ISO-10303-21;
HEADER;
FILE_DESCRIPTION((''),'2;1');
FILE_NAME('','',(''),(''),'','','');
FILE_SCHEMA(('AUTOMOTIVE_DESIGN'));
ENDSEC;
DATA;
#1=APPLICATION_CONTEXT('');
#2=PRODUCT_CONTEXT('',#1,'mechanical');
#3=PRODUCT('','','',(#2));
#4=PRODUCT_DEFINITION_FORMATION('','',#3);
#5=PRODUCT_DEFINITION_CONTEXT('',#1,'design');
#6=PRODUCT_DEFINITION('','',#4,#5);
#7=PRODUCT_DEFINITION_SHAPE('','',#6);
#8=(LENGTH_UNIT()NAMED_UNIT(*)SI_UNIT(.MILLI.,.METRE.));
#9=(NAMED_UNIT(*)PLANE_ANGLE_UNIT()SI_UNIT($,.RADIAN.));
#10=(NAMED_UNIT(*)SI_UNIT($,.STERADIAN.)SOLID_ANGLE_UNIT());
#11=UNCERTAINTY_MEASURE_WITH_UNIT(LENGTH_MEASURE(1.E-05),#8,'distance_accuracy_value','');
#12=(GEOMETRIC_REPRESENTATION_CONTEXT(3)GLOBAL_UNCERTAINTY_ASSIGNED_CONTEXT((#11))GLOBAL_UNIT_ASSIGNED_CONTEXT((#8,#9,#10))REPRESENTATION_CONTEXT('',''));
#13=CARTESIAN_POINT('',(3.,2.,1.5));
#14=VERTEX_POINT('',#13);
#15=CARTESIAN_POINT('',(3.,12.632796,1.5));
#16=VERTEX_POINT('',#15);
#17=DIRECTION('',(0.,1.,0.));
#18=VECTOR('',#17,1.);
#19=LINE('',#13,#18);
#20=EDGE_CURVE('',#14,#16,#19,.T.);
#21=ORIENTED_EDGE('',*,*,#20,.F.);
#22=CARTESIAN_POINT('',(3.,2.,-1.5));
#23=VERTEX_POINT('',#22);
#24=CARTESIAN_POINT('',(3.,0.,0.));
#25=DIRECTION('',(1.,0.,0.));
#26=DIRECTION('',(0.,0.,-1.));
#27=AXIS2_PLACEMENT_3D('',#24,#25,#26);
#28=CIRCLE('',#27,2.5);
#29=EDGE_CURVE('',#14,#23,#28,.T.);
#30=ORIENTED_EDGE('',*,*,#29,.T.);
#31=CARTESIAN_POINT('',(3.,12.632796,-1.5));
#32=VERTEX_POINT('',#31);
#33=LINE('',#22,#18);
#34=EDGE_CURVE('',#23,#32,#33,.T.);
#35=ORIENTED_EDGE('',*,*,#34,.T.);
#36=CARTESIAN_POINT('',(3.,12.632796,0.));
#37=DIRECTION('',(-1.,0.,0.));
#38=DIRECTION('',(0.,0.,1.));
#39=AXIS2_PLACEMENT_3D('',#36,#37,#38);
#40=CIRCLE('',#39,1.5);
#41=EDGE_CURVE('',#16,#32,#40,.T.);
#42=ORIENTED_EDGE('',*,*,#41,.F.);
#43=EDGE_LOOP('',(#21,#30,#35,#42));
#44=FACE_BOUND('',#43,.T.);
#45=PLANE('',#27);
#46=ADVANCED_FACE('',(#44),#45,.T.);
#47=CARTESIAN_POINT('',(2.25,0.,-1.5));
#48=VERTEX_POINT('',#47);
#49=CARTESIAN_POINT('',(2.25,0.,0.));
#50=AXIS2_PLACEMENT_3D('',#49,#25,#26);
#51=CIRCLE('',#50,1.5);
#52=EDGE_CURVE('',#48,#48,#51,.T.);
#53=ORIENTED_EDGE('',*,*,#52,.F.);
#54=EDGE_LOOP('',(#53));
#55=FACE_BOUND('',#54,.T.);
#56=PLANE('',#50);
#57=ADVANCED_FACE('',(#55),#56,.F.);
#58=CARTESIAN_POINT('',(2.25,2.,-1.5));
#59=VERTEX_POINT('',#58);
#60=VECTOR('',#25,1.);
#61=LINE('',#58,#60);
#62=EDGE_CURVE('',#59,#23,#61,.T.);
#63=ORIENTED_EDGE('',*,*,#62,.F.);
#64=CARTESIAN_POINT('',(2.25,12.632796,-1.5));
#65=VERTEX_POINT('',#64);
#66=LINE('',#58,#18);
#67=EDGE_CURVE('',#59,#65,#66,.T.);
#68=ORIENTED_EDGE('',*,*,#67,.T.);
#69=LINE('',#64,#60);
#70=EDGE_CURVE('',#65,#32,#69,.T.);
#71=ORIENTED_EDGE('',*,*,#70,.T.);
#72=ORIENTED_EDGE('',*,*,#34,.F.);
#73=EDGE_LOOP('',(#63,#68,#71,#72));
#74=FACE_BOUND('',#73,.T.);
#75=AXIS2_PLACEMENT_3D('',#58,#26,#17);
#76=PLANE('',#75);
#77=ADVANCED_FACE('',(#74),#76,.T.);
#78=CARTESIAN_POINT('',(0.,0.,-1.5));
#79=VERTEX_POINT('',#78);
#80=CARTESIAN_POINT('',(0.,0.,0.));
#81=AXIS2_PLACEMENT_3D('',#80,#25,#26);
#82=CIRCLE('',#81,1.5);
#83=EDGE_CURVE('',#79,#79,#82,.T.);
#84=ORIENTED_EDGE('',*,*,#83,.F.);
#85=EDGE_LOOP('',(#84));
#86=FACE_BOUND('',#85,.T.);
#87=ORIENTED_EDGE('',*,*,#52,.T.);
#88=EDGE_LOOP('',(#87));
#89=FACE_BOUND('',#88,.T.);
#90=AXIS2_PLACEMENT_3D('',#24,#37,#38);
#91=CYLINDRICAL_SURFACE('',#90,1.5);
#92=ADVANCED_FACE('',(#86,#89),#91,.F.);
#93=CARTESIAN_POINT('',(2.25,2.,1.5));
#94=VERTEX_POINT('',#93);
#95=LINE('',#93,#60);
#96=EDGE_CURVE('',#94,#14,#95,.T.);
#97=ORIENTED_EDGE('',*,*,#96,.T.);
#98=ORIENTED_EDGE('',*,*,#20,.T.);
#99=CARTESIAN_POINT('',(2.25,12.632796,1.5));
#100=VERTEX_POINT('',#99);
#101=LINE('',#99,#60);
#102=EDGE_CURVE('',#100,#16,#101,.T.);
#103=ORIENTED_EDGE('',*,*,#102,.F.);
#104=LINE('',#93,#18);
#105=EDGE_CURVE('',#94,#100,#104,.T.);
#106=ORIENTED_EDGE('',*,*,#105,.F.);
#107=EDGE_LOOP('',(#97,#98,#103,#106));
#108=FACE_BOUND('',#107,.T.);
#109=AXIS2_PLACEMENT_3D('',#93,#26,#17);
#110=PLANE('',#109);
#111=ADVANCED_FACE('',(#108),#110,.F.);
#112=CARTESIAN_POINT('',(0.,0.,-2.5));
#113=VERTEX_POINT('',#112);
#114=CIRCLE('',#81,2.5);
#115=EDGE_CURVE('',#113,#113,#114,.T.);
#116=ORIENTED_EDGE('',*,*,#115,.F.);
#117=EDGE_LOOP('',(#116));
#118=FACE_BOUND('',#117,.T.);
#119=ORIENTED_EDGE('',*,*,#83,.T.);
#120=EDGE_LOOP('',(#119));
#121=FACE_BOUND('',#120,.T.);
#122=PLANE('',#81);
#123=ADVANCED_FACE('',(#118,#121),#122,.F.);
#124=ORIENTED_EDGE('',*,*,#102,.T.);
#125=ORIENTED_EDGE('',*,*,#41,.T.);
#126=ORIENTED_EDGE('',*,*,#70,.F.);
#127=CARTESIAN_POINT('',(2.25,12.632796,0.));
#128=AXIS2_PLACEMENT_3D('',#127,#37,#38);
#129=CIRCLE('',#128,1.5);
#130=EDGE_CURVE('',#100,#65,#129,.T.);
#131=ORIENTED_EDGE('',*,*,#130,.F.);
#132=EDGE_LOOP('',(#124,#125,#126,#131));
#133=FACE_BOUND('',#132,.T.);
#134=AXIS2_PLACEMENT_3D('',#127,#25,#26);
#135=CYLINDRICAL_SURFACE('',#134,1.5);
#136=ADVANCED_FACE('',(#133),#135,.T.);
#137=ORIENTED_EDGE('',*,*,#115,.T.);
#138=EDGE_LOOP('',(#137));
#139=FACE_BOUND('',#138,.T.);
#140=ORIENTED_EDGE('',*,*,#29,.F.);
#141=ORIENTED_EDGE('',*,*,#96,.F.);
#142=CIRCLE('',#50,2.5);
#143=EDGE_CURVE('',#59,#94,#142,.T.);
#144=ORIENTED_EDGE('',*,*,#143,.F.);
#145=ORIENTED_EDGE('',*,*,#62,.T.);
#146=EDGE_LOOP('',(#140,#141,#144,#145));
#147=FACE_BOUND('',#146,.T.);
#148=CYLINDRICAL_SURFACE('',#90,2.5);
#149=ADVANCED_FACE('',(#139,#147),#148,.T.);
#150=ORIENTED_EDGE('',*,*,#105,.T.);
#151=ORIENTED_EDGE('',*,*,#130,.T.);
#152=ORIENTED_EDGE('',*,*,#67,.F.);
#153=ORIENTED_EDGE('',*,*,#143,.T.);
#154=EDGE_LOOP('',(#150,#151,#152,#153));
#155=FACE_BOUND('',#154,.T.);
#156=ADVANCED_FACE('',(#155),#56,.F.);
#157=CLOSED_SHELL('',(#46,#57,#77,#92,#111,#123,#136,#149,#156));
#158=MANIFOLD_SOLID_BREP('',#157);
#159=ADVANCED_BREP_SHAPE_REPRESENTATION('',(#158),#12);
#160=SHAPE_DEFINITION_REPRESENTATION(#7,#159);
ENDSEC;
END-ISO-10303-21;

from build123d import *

# Parameters (mm, degrees)
SKETCH1_R           = 2.5
SKETCH1_R_2         = 1.5
BOSS_EXTRUDE1_DEPTH = 3
BOSS_EXTRUDE2_START = -0.75
BOSS_EXTRUDE2_DEPTH = 0.75


with BuildPart() as part:
    # Sketch1 → Boss-Extrude1 (new body)
    with BuildSketch(Plane(origin=(0, 0, 0), x_dir=(0, 0, -1), z_dir=(1, 0, 0))):
        Circle(SKETCH1_R)
        Circle(SKETCH1_R_2, mode=Mode.SUBTRACT)
    extrude(amount=BOSS_EXTRUDE1_DEPTH)

    # Sketch2 → Boss-Extrude2 (add)
    with BuildSketch(Plane(origin=(3, 0, 0), x_dir=(0, 0, -1), z_dir=(1, 0, 0)).offset(BOSS_EXTRUDE2_START)):
        with BuildLine():
            Line((-1.5, 2), (-1.5, 12.632795692))
            ThreePointArc((-1.5, 12.632795692), (0, 14.132795692), (1.5, 12.632795692))
            Line((1.5, 12.632795692), (1.5, 2))
            ThreePointArc((1.5, 2), (0, -2.5), (-1.5, 2))
        make_face()
    extrude(amount=BOSS_EXTRUDE2_DEPTH)


solid = part.part
